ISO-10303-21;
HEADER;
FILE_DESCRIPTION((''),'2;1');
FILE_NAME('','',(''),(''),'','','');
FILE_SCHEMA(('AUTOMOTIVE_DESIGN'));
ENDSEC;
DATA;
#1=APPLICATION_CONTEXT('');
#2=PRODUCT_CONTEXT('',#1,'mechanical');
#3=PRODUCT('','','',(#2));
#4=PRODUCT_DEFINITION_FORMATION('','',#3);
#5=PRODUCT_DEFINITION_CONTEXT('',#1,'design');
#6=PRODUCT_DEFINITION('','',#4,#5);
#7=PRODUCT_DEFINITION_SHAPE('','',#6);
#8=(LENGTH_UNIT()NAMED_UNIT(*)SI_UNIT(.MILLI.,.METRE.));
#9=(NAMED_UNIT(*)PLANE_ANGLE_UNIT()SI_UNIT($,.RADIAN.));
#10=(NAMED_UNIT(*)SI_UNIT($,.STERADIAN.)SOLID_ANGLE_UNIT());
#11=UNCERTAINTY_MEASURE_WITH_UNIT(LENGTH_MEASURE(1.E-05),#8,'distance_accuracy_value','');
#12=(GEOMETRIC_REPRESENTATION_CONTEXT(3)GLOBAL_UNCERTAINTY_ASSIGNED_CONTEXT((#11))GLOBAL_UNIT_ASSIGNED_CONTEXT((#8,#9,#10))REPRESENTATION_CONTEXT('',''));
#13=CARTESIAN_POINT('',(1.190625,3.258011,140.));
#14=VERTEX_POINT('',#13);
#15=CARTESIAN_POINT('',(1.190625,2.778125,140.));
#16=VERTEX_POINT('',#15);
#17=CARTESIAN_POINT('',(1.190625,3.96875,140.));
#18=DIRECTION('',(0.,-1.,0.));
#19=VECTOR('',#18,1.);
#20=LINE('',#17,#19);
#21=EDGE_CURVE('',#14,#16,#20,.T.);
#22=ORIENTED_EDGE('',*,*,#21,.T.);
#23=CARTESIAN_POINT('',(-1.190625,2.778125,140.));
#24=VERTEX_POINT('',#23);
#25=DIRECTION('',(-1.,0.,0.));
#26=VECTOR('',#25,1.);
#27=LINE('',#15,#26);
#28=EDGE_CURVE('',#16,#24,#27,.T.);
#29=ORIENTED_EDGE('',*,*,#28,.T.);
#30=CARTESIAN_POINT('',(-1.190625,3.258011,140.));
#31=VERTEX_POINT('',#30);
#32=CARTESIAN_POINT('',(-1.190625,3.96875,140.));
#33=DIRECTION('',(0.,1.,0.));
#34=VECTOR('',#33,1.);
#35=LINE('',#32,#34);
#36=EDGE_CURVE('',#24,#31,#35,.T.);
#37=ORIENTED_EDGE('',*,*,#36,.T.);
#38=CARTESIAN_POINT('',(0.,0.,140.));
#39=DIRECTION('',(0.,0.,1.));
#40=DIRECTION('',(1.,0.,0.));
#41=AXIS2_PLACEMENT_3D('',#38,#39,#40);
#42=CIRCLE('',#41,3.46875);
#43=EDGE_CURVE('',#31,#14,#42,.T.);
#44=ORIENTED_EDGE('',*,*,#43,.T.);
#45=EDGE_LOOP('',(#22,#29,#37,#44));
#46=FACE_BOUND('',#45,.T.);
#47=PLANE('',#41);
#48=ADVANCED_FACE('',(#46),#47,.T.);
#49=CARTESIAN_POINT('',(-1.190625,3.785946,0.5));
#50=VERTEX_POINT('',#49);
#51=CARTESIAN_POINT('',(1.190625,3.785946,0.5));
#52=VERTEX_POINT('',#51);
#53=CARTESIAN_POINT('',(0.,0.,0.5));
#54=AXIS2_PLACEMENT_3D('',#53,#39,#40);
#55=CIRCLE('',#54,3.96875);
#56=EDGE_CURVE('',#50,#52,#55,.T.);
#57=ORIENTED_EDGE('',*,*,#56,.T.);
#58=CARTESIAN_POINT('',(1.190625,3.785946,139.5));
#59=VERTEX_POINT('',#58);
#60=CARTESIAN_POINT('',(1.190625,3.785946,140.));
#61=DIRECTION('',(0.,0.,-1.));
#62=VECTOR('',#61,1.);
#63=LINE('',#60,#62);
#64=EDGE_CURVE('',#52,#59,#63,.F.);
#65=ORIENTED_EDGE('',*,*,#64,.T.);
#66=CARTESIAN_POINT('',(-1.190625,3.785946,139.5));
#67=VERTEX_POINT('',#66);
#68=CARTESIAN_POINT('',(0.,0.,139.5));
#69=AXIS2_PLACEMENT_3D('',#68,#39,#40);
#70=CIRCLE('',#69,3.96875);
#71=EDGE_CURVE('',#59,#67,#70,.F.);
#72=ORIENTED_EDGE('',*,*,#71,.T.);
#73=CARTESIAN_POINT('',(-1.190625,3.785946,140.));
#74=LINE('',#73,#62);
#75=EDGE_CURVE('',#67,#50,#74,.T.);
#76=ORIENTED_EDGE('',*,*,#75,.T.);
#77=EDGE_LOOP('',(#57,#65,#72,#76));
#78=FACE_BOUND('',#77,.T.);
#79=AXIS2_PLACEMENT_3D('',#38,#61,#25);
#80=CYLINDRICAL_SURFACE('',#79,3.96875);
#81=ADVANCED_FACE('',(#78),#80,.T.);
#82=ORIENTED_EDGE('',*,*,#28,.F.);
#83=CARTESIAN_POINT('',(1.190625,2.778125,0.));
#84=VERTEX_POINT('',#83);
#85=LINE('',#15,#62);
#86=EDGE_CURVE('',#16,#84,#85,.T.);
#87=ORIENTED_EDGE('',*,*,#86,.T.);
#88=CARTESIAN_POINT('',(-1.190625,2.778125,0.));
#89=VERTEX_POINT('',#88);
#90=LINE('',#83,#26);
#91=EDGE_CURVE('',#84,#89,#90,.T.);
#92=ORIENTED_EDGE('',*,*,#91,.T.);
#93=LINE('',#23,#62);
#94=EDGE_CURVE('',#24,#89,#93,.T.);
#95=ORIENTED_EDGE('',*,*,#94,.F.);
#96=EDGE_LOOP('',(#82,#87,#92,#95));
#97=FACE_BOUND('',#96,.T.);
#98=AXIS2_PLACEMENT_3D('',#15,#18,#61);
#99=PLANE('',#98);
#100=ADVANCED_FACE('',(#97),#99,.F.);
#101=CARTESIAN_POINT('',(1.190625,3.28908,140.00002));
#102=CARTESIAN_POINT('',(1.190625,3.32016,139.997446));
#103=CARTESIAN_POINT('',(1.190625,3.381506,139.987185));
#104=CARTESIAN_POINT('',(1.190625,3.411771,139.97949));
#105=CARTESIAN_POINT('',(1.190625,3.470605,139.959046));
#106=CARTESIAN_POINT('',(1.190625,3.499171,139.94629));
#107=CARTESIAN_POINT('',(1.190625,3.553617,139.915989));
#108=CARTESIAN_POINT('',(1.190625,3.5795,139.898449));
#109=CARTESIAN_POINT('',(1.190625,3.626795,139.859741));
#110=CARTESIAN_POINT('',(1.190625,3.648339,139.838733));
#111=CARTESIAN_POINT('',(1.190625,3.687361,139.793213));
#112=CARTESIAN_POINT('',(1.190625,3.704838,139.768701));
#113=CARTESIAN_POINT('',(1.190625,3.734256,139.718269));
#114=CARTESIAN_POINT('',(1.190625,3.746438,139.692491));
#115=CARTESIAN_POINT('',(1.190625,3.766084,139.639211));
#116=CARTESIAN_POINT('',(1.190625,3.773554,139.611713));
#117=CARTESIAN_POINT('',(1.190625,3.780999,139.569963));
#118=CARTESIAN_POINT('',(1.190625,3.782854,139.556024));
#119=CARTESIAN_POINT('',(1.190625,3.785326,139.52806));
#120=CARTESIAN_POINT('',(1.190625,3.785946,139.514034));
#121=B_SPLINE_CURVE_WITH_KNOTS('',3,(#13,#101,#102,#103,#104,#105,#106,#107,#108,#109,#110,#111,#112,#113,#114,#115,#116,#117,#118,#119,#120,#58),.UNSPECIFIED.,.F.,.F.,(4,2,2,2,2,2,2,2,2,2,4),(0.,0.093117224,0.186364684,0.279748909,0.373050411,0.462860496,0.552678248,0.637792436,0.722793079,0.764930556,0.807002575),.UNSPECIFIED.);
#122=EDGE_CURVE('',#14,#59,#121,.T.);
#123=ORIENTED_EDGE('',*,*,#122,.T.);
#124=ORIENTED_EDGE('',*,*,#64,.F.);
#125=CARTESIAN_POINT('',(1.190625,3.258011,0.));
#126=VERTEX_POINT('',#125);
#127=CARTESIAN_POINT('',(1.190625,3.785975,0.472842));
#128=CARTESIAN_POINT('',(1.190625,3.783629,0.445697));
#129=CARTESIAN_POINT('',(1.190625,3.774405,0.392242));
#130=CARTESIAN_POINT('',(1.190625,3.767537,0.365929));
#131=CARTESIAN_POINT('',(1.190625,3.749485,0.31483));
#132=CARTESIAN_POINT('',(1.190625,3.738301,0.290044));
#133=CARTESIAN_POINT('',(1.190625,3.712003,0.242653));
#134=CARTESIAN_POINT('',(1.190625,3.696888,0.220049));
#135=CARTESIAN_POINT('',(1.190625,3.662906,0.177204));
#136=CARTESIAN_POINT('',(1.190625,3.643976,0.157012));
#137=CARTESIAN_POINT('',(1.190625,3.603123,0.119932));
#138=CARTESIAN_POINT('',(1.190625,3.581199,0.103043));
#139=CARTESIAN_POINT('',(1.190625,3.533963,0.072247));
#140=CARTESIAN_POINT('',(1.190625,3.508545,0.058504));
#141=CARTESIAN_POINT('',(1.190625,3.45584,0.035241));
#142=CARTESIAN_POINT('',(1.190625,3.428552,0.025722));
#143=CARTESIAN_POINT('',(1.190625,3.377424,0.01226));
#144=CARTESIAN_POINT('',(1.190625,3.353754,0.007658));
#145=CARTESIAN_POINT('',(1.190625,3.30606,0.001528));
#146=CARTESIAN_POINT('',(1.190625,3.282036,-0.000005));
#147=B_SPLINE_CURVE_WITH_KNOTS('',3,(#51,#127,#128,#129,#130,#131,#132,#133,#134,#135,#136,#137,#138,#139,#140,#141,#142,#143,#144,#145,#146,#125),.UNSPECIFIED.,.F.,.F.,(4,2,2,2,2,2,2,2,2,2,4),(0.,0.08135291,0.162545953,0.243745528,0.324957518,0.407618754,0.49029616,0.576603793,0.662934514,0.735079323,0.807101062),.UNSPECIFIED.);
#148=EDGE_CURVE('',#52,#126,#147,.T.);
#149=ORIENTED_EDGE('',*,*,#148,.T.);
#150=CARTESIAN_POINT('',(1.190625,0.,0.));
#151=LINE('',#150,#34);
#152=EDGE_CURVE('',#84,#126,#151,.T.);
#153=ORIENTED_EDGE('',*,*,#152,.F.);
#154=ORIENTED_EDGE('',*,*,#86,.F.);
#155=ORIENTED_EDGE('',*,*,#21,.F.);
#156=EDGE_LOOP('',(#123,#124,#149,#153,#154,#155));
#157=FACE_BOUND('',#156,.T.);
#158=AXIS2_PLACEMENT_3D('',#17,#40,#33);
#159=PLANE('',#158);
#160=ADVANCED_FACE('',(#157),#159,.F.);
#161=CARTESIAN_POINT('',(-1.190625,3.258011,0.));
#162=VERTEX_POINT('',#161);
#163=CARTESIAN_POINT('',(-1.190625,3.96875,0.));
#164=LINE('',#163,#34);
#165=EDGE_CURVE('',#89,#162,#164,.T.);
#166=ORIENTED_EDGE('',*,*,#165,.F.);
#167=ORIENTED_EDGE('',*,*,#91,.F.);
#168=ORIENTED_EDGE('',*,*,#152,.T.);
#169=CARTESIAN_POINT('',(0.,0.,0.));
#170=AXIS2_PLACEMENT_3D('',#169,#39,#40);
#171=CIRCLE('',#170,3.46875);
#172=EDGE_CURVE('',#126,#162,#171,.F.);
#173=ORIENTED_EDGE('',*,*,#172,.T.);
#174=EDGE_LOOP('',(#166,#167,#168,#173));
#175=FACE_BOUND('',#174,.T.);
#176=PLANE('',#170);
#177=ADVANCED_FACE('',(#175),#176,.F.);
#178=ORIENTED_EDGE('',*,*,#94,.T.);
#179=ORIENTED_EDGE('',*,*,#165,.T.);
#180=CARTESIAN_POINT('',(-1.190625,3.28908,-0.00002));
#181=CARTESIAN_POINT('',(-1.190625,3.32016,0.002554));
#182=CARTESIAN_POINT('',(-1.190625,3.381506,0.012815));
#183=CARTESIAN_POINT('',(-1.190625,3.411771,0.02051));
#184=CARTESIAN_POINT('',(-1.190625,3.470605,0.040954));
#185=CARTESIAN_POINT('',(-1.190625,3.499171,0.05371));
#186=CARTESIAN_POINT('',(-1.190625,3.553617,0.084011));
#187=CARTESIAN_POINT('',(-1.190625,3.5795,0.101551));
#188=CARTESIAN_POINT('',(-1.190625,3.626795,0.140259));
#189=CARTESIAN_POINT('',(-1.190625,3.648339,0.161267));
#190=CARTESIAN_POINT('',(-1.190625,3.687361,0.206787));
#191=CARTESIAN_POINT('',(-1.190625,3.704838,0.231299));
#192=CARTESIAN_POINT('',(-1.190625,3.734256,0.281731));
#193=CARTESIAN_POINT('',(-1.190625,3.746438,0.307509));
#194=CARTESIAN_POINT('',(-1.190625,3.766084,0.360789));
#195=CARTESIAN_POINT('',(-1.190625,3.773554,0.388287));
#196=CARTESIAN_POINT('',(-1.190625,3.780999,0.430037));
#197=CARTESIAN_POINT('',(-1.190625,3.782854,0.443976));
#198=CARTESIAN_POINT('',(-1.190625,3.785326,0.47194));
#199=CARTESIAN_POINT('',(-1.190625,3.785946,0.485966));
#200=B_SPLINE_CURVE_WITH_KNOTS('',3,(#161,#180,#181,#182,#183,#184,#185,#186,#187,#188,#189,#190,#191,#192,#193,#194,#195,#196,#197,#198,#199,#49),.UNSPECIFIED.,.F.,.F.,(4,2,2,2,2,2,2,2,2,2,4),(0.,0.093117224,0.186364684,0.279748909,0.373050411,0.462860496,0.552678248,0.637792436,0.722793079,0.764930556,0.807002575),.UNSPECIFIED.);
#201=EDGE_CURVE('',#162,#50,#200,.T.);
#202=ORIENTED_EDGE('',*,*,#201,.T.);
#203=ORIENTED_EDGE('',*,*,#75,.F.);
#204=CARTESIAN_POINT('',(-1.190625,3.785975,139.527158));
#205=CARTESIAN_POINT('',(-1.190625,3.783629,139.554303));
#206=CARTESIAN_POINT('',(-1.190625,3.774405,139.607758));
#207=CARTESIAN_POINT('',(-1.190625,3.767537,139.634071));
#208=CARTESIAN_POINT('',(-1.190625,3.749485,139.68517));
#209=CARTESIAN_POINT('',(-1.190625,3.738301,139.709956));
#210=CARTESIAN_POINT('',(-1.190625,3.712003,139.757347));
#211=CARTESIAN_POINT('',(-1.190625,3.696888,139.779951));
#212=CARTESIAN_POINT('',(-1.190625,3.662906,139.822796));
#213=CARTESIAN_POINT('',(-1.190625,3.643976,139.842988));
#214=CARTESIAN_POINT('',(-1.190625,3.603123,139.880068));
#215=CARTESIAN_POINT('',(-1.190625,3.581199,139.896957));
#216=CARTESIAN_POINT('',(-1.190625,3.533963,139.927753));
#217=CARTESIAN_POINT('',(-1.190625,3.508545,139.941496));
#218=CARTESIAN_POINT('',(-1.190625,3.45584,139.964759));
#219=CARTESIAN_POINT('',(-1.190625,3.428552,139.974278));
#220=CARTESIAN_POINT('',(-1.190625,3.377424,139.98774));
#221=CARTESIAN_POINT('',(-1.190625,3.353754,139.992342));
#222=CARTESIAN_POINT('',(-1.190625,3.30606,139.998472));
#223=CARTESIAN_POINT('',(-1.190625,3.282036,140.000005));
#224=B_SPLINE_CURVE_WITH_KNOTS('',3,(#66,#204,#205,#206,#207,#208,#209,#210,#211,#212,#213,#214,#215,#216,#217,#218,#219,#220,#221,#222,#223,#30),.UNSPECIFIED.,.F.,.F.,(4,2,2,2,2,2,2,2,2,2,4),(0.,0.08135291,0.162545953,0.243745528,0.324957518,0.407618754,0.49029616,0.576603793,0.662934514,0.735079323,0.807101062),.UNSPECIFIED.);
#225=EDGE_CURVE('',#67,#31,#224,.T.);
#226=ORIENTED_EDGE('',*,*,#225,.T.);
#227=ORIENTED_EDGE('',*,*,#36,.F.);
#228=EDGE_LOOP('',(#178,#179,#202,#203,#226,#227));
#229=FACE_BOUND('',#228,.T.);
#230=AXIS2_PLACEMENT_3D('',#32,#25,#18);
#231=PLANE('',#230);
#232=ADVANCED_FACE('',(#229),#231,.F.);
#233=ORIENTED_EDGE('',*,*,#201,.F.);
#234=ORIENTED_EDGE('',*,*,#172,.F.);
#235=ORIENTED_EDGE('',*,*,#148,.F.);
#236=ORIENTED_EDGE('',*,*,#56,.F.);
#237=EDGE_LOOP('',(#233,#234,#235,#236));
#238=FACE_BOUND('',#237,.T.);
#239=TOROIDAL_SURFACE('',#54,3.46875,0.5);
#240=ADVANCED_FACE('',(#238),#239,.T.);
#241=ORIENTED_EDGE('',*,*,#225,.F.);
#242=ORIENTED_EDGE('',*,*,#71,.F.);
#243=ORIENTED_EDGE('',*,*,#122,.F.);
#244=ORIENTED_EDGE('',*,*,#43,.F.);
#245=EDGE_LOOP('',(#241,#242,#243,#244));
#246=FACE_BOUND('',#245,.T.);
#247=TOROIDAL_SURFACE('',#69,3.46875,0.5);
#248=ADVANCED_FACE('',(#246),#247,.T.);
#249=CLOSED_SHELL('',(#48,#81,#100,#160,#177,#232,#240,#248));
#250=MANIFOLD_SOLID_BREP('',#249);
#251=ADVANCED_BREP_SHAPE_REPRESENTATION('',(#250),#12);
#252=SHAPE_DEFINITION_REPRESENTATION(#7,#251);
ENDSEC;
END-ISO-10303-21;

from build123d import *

# Parameters (mm, degrees)
SKETCH1_R           = 3.96875
BOSS_EXTRUDE1_DEPTH = 140
SKETCH3_W           = 2.38125
SKETCH3_H           = 1.190625
CUT_EXTRUDE2_DEPTH  = 141.112461805
FILLET1_R           = 0.5


with BuildPart() as part:
    # Sketch1 → Boss-Extrude1 (new body)
    with BuildSketch(Plane.XY):
        Circle(SKETCH1_R)
    extrude(amount=BOSS_EXTRUDE1_DEPTH)

    # Sketch3 → Cut-Extrude2 (cut, through all)
    with BuildSketch(Plane(origin=(0, 0, 0), x_dir=(-1, 0, 0), z_dir=(0, 0, -1))):
        with Locations((0, 3.3734375)):
            Rectangle(SKETCH3_W, SKETCH3_H)
    extrude(amount=-CUT_EXTRUDE2_DEPTH, mode=Mode.SUBTRACT)

    # Fillet1
    fillet1_edges = [part.edges().sort_by_distance(p)[0] for p in [
        (0, -3.96875, 0),
        (0, -3.96875, 140),
    ]]
    fillet(fillet1_edges, radius=FILLET1_R)


solid = part.part
